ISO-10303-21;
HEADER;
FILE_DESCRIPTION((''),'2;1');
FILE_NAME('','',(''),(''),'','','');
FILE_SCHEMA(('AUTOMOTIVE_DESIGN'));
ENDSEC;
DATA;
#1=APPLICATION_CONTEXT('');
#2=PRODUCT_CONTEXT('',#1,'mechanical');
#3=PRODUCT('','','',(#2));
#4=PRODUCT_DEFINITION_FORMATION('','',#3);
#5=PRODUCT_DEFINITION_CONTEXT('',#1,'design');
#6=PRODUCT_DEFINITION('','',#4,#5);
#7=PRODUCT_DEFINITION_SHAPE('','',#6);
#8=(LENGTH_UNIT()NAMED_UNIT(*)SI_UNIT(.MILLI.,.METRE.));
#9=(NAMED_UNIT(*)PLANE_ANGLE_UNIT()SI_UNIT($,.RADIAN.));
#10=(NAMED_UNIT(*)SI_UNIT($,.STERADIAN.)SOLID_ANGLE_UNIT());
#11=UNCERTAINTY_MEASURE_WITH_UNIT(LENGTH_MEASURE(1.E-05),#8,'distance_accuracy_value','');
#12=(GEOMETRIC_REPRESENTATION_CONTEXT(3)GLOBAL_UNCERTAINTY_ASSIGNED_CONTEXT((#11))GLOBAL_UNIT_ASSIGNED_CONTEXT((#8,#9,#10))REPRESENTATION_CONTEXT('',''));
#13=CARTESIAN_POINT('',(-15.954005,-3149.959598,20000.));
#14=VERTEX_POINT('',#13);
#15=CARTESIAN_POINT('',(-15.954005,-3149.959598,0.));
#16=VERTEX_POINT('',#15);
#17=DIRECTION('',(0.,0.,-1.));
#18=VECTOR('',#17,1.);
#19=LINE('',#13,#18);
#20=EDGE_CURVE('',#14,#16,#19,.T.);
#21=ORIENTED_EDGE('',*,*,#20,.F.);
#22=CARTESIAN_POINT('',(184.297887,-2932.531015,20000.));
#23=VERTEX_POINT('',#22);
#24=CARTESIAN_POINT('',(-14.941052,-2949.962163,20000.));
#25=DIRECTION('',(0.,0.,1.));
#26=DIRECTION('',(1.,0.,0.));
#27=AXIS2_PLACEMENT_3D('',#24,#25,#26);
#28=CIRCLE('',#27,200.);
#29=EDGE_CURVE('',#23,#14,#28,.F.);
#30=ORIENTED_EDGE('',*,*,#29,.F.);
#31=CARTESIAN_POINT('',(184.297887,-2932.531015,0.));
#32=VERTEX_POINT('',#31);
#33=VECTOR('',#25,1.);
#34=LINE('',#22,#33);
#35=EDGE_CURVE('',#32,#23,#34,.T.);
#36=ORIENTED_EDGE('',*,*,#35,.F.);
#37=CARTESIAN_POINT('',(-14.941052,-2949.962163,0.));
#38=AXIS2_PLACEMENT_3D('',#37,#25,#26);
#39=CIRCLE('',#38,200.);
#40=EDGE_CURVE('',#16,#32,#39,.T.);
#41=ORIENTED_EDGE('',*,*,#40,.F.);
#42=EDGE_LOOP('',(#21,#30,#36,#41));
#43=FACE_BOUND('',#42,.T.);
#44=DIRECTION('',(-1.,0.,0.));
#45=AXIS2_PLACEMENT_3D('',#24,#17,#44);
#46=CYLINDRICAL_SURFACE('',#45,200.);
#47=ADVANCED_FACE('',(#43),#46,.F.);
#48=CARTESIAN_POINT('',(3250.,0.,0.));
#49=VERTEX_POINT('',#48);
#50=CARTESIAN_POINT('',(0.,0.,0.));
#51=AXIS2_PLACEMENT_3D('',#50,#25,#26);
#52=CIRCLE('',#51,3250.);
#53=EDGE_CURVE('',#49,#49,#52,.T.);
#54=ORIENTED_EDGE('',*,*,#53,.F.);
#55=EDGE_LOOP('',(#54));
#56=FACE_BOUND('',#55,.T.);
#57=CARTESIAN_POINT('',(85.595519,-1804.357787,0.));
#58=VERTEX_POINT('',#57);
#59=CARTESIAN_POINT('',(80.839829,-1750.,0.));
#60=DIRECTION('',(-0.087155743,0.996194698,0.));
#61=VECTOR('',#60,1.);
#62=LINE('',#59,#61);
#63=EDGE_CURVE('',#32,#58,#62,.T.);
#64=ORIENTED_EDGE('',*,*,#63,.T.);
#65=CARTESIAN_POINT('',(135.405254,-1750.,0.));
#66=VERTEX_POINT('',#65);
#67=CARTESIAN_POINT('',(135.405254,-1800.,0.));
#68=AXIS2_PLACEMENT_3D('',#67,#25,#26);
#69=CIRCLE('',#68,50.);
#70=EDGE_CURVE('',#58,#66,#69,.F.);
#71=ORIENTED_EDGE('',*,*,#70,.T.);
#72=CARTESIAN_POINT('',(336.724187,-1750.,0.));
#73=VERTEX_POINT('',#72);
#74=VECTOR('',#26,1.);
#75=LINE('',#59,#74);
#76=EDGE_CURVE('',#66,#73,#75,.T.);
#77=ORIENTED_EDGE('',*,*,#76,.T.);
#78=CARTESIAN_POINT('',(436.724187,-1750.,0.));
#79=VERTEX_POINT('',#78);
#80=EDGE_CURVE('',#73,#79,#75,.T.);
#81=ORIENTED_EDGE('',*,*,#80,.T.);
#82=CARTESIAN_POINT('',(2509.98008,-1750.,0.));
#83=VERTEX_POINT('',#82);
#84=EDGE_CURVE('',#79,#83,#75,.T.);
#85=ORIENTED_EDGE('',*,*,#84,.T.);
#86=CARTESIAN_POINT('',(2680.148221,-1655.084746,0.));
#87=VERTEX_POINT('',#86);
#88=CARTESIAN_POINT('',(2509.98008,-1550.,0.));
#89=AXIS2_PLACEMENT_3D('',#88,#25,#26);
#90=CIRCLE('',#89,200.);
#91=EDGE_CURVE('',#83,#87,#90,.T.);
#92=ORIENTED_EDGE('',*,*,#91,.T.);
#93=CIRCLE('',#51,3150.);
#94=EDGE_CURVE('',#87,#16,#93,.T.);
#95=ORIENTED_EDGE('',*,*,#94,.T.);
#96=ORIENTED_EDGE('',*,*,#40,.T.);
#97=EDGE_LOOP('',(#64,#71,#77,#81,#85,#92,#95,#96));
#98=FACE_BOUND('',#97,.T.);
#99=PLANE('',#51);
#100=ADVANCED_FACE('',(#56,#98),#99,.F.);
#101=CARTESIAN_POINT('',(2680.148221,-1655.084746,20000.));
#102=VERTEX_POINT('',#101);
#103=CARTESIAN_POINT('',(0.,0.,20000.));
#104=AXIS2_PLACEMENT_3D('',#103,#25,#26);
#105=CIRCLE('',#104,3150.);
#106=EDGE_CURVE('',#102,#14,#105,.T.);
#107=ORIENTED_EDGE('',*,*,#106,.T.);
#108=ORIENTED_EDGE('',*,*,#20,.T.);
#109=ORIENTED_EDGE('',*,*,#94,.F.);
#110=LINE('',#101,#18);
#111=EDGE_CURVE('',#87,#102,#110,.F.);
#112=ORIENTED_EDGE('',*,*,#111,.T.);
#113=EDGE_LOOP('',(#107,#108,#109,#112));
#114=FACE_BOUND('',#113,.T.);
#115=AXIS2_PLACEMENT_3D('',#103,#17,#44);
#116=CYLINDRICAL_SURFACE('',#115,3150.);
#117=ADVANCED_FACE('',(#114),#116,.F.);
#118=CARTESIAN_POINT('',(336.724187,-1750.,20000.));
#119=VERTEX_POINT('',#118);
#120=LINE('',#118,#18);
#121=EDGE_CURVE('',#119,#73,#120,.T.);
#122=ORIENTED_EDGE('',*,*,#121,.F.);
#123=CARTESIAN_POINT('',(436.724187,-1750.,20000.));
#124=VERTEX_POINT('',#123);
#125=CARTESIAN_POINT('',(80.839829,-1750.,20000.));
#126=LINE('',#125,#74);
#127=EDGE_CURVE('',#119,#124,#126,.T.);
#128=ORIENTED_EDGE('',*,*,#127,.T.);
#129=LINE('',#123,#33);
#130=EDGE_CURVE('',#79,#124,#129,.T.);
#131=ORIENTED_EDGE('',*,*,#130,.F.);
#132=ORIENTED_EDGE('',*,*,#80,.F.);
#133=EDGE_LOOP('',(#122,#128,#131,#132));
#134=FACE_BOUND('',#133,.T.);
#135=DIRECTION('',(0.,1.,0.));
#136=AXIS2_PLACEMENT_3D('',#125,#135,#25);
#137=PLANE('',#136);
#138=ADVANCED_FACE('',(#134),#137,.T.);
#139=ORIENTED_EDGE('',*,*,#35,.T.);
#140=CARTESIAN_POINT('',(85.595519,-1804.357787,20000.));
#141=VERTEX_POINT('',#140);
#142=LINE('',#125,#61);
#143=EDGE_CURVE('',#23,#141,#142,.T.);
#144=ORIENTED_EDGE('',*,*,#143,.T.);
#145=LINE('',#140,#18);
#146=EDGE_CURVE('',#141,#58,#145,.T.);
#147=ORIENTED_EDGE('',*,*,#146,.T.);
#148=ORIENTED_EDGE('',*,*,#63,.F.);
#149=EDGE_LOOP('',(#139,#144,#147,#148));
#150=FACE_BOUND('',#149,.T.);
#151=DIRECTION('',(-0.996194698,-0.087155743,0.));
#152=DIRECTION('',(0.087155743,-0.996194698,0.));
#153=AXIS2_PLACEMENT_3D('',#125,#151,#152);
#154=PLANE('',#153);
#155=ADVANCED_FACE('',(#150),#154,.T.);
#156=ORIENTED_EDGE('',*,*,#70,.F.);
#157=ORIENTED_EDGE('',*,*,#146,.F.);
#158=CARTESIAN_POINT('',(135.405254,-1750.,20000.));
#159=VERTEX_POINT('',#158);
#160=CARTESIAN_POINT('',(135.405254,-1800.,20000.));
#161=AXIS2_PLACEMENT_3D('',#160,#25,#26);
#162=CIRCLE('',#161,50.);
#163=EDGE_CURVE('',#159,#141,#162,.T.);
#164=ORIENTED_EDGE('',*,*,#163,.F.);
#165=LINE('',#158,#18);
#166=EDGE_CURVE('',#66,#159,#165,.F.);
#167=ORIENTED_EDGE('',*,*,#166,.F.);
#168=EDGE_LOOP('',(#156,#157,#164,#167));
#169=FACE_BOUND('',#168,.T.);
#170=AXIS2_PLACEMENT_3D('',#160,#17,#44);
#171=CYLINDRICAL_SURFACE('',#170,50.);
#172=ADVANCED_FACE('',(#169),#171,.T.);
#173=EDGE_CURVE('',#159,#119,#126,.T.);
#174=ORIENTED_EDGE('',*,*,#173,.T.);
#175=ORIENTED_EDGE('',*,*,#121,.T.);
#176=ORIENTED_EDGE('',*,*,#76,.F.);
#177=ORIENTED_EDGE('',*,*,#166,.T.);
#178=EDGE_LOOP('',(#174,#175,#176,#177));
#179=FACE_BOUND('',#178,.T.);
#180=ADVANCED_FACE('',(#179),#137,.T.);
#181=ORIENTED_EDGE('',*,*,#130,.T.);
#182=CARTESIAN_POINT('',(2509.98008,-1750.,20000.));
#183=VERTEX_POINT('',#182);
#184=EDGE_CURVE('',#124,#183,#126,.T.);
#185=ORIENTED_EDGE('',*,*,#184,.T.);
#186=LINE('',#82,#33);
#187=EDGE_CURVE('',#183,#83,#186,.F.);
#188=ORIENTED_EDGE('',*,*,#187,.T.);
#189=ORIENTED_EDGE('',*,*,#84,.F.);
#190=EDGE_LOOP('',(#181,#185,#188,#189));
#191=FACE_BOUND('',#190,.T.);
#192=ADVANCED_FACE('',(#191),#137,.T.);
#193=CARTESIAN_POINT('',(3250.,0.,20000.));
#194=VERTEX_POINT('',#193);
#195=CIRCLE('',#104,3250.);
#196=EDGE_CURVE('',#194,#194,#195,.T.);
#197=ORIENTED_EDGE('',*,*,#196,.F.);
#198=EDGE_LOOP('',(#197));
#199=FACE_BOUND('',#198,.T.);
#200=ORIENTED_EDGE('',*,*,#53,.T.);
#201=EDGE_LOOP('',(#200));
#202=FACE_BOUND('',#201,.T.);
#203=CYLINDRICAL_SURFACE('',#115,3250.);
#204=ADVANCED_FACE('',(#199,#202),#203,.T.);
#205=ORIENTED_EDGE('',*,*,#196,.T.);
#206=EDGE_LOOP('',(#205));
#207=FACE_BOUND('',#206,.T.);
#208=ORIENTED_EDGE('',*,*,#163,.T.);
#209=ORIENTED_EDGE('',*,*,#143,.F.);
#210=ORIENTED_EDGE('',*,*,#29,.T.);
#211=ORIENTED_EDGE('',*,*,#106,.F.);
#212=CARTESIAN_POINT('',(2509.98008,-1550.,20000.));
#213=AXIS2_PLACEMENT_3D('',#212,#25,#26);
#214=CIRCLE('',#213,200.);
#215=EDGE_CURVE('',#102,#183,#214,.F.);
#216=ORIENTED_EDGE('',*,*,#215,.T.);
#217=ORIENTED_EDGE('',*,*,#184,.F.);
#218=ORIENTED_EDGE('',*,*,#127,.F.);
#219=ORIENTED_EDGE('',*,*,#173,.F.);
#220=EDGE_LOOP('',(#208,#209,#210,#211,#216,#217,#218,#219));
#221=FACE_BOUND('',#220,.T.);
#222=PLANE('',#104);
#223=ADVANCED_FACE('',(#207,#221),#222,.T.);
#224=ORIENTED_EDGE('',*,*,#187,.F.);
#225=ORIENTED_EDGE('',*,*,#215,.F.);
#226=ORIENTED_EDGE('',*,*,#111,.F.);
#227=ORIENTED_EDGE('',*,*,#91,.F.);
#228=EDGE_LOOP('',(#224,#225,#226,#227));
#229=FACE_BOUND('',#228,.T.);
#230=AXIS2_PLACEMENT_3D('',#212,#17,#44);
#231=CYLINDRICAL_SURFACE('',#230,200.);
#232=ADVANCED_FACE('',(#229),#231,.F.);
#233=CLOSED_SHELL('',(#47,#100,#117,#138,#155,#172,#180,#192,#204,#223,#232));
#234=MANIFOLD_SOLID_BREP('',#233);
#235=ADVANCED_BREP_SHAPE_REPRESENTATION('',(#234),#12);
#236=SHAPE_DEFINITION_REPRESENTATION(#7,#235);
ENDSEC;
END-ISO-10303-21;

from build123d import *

# Parameters (mm, degrees)
SKETCH2_R           = 3250
BOSS_EXTRUDE1_DEPTH = 20000
FILLET1_R           = 200
FILLET2_R           = 50


with BuildPart() as part:
    # Sketch2 → Boss-Extrude1 (new body)
    with BuildSketch(Plane.XY):
        Circle(SKETCH2_R)
        with BuildLine():
            Line((80.839829258, -1750), (2619.160170742, -1750))
            ThreePointArc((2619.160170742, -1750), (-1573.60607181, 2728.784332036), (202.75248728, -3143.46805756))
            Line((202.75248728, -3143.46805756), (80.839829258, -1750))
        make_face(mode=Mode.SUBTRACT)
    extrude(amount=BOSS_EXTRUDE1_DEPTH)

    # Fillet1
    fillet1_edges = [part.edges().sort_by_distance(p)[0] for p in [
        (2619.160170742, -1750, 10000),
        (202.75248728, -3143.46805756, 10000),
    ]]
    fillet(fillet1_edges, radius=FILLET1_R)

    # Fillet2
    fillet2_edges = [part.edges().sort_by_distance(p)[0] for p in [
        (80.839829258, -1750, 10000),
    ]]
    fillet(fillet2_edges, radius=FILLET2_R)


solid = part.part
